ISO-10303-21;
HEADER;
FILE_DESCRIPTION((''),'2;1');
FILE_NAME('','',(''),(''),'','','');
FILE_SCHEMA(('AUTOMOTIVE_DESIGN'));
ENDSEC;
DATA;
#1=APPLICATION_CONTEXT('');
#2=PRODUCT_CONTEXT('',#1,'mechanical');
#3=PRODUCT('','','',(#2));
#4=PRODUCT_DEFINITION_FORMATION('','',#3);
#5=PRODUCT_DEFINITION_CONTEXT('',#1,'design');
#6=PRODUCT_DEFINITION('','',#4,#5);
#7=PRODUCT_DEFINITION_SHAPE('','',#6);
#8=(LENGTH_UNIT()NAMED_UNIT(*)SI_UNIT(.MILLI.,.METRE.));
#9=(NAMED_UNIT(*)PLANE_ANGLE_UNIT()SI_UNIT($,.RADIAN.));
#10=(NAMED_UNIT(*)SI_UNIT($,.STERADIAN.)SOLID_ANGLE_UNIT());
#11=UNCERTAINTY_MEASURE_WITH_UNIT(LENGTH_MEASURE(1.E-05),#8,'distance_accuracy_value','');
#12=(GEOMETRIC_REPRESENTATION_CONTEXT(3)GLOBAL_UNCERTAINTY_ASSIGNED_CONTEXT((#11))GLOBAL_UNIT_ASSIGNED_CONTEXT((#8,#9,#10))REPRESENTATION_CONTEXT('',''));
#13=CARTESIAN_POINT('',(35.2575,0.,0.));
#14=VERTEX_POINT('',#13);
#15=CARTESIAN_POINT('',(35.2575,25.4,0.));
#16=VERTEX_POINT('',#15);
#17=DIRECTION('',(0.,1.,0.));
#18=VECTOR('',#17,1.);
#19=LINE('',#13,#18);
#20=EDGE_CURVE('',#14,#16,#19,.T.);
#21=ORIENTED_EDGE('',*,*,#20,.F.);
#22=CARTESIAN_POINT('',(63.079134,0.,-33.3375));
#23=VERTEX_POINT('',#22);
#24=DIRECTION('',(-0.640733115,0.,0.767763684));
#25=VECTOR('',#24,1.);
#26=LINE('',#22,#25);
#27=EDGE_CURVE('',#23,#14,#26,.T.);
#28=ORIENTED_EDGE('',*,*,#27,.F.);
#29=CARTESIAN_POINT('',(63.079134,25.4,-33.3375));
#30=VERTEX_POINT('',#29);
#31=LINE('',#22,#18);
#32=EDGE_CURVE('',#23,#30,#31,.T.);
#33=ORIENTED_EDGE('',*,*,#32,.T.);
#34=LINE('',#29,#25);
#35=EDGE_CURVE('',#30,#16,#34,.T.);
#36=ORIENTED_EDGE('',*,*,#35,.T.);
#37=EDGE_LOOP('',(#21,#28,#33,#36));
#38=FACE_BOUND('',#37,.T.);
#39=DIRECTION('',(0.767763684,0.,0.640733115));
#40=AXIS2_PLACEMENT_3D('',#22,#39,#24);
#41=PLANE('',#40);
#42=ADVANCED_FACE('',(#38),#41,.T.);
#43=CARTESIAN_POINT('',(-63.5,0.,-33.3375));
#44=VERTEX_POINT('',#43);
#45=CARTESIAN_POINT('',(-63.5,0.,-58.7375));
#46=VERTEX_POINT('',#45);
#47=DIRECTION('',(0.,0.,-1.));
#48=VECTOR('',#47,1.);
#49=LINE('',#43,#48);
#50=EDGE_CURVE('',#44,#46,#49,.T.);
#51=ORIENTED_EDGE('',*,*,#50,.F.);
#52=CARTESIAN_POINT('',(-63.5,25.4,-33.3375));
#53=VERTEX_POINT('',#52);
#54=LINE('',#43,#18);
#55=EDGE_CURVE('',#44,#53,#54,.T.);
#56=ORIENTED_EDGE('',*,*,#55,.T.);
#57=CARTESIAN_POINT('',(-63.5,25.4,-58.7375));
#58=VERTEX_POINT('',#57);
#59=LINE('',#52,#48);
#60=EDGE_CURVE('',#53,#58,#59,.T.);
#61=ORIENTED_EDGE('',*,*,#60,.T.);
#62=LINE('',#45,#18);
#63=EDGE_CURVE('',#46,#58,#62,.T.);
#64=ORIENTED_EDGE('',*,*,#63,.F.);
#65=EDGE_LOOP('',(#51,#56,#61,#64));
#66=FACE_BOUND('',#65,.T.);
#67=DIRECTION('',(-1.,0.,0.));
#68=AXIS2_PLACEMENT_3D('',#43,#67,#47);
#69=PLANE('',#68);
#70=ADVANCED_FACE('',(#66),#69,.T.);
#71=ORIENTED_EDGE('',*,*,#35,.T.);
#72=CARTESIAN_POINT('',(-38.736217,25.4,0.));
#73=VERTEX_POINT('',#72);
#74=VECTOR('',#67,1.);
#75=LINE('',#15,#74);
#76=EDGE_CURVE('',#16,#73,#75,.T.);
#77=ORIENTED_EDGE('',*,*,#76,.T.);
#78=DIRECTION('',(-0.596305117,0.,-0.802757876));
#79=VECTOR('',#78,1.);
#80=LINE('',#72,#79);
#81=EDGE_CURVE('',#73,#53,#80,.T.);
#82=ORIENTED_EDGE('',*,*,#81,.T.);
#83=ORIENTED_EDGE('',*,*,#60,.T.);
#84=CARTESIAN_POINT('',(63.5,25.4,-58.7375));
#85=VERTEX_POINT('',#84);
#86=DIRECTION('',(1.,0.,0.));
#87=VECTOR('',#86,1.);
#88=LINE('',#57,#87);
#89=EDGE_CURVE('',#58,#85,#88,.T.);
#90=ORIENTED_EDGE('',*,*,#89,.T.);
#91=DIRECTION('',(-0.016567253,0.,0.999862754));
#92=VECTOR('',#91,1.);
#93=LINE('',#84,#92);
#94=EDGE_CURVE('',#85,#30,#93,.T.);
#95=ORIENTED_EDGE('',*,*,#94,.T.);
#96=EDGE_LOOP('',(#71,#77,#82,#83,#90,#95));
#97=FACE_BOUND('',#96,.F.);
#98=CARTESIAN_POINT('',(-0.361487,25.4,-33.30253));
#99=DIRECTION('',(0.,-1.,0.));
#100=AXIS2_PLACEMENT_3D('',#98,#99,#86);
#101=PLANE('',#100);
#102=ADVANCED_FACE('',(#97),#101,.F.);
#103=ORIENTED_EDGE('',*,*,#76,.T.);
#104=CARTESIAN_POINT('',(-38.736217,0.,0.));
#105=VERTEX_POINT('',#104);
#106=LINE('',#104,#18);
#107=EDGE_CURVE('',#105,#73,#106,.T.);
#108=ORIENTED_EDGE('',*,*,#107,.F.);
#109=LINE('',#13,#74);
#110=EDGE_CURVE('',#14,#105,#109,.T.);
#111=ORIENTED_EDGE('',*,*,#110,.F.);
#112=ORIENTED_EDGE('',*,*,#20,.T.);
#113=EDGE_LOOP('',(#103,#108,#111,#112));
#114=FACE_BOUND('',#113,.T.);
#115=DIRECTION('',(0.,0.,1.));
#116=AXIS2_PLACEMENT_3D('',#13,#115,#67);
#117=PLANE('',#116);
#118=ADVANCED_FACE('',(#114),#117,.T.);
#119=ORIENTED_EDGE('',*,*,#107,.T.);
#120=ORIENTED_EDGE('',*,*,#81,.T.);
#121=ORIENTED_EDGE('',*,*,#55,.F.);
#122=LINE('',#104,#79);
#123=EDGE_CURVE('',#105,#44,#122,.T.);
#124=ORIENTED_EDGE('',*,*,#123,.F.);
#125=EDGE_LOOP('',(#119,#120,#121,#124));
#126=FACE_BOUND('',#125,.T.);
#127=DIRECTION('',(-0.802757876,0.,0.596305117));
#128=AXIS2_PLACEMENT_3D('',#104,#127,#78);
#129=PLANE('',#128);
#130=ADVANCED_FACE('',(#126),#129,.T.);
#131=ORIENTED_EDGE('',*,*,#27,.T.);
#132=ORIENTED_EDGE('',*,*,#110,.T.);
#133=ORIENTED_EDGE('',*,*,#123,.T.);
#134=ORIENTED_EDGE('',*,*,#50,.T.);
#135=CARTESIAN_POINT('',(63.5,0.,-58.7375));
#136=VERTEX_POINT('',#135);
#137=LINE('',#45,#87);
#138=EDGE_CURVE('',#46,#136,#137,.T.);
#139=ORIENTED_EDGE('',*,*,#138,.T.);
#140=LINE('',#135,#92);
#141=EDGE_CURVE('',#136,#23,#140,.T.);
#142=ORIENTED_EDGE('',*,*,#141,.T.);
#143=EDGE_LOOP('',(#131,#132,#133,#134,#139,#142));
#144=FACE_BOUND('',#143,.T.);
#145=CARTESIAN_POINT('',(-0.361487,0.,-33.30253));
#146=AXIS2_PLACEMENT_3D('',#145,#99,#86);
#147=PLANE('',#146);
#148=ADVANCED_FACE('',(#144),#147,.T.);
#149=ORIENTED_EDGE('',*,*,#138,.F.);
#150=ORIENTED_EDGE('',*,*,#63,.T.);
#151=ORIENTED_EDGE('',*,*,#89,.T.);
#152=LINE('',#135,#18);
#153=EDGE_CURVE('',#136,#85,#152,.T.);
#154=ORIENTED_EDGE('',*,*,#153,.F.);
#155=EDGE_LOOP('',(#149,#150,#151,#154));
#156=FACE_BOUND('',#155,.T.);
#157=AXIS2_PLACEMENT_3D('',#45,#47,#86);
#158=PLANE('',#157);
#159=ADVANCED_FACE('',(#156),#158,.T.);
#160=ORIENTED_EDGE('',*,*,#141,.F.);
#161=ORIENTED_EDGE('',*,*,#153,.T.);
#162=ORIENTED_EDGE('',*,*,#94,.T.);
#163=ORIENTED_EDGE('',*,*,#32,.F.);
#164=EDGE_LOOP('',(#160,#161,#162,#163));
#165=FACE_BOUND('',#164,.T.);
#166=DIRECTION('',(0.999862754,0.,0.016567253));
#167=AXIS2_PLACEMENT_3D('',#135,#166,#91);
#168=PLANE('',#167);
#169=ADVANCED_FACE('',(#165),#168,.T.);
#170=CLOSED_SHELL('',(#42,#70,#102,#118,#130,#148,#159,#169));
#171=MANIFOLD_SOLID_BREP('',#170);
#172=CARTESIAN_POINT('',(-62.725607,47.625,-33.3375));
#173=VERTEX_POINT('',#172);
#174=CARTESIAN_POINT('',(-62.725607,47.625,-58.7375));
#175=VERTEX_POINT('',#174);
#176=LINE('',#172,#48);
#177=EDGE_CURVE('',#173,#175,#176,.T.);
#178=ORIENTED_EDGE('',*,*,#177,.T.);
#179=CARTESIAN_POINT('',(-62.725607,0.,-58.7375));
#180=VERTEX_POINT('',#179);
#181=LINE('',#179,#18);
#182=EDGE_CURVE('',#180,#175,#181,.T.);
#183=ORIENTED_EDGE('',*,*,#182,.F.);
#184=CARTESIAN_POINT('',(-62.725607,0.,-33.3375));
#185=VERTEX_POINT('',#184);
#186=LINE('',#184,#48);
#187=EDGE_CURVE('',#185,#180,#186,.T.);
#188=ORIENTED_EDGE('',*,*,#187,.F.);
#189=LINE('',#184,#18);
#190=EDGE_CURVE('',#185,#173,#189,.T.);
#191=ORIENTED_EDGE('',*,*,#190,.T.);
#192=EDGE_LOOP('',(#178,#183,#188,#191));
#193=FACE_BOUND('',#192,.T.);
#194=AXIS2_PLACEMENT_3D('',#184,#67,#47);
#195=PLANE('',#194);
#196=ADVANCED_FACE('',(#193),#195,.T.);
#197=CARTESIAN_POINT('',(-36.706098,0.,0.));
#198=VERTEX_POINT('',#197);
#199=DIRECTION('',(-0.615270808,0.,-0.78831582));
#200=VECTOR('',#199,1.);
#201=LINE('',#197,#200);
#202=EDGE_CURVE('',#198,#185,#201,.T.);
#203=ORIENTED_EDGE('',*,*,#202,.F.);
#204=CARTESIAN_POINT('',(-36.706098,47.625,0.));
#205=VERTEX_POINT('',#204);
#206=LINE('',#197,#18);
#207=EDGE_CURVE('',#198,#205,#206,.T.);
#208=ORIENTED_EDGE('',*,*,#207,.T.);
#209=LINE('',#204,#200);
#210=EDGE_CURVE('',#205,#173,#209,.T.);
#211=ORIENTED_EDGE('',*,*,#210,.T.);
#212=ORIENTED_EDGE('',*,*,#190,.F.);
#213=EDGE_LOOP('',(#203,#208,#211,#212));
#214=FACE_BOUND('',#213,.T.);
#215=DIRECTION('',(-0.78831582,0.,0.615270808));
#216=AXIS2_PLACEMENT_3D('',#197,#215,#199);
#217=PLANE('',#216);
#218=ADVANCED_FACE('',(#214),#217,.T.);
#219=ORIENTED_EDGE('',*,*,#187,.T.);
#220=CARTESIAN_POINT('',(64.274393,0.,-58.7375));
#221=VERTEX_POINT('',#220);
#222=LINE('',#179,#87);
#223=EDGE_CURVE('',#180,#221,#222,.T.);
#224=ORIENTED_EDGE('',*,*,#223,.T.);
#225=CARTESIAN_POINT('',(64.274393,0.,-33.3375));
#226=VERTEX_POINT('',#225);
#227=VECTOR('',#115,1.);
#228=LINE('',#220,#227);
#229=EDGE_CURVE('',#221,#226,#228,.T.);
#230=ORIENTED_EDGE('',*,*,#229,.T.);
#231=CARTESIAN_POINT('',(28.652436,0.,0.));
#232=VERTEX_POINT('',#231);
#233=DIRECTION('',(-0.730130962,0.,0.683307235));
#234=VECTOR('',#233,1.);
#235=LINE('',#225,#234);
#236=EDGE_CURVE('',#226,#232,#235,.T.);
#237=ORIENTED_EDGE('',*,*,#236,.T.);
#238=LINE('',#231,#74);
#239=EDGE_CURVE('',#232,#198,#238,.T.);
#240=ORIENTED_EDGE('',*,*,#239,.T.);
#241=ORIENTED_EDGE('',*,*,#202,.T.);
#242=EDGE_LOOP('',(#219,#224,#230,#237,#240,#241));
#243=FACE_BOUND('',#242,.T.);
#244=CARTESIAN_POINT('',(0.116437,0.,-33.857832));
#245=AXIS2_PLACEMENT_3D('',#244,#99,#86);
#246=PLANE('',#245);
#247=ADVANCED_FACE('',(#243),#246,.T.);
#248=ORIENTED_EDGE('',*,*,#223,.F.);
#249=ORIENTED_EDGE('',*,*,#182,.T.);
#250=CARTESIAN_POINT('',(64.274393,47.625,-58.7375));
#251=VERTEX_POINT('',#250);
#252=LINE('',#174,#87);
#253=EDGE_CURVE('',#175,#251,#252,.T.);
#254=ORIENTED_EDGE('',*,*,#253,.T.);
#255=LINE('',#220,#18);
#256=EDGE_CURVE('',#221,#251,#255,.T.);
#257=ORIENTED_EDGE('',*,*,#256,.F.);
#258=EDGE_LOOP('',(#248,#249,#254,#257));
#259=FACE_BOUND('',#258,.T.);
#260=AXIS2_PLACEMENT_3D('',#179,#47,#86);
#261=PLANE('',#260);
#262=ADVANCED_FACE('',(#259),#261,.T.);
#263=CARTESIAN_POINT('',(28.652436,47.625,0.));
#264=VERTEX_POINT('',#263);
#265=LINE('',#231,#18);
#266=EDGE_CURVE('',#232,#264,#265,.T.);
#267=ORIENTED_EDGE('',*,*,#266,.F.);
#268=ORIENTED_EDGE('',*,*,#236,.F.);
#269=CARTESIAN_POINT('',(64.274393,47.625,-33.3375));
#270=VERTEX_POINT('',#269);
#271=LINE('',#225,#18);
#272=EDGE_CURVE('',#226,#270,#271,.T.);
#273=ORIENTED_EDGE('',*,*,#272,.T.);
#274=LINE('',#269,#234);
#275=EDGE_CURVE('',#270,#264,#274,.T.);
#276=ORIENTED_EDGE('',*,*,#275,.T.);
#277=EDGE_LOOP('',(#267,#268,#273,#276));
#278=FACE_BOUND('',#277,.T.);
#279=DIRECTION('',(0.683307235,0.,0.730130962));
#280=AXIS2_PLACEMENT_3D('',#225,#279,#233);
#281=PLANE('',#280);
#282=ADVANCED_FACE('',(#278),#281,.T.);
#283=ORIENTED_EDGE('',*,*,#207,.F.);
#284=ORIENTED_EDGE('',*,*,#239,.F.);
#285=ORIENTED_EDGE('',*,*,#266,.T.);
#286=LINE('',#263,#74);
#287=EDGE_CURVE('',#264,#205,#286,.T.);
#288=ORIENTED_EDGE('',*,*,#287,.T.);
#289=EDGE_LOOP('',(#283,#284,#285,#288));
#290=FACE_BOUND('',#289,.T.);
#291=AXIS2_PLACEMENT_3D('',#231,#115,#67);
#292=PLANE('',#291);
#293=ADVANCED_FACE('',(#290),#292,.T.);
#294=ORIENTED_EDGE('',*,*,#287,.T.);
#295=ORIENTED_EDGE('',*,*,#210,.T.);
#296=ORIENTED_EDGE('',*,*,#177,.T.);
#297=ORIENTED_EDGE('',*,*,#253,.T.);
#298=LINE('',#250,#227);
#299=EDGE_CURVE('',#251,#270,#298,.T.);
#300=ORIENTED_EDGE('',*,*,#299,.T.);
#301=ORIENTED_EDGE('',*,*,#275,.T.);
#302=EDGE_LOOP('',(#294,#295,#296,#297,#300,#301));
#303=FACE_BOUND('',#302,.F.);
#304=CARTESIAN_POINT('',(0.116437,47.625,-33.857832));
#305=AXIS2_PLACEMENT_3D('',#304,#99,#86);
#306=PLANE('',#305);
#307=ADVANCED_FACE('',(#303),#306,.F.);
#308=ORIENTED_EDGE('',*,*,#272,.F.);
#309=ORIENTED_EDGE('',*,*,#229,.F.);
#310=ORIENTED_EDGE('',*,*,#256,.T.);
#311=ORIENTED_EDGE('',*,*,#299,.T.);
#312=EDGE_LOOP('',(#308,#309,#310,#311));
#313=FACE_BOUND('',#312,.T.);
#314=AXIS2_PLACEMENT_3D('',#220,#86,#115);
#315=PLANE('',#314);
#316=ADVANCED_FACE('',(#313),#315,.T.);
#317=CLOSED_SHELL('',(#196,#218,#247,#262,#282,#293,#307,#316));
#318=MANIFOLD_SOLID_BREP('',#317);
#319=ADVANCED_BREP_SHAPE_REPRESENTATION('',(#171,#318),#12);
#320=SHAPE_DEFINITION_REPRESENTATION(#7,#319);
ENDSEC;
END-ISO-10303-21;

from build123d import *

# Parameters (mm, degrees)
F1_DEPTH = 25.4
F3_DEPTH = 47.625


with BuildPart() as f1:
    # F0 (on Front) → F1 (new body)
    with BuildSketch(Plane.XZ):
        Polygon((-63.5, -58.7375), (63.5, -58.7375), (63.079134, -33.3375), (35.2575, 0), (-38.736217, 0), (-63.5, -33.3375), align=None)
    extrude(amount=-F1_DEPTH)


with BuildPart() as f3:
    # F2 (on Front) → F3 (new body)
    with BuildSketch(Plane.XZ):
        Polygon((-62.725607, -33.3375), (-62.725607, -58.7375), (64.274393, -58.7375), (64.274393, -33.3375), (28.652436, 0), (-36.706098, 0), align=None)
    extrude(amount=-F3_DEPTH)


solid = Compound([f1.part, f3.part])
